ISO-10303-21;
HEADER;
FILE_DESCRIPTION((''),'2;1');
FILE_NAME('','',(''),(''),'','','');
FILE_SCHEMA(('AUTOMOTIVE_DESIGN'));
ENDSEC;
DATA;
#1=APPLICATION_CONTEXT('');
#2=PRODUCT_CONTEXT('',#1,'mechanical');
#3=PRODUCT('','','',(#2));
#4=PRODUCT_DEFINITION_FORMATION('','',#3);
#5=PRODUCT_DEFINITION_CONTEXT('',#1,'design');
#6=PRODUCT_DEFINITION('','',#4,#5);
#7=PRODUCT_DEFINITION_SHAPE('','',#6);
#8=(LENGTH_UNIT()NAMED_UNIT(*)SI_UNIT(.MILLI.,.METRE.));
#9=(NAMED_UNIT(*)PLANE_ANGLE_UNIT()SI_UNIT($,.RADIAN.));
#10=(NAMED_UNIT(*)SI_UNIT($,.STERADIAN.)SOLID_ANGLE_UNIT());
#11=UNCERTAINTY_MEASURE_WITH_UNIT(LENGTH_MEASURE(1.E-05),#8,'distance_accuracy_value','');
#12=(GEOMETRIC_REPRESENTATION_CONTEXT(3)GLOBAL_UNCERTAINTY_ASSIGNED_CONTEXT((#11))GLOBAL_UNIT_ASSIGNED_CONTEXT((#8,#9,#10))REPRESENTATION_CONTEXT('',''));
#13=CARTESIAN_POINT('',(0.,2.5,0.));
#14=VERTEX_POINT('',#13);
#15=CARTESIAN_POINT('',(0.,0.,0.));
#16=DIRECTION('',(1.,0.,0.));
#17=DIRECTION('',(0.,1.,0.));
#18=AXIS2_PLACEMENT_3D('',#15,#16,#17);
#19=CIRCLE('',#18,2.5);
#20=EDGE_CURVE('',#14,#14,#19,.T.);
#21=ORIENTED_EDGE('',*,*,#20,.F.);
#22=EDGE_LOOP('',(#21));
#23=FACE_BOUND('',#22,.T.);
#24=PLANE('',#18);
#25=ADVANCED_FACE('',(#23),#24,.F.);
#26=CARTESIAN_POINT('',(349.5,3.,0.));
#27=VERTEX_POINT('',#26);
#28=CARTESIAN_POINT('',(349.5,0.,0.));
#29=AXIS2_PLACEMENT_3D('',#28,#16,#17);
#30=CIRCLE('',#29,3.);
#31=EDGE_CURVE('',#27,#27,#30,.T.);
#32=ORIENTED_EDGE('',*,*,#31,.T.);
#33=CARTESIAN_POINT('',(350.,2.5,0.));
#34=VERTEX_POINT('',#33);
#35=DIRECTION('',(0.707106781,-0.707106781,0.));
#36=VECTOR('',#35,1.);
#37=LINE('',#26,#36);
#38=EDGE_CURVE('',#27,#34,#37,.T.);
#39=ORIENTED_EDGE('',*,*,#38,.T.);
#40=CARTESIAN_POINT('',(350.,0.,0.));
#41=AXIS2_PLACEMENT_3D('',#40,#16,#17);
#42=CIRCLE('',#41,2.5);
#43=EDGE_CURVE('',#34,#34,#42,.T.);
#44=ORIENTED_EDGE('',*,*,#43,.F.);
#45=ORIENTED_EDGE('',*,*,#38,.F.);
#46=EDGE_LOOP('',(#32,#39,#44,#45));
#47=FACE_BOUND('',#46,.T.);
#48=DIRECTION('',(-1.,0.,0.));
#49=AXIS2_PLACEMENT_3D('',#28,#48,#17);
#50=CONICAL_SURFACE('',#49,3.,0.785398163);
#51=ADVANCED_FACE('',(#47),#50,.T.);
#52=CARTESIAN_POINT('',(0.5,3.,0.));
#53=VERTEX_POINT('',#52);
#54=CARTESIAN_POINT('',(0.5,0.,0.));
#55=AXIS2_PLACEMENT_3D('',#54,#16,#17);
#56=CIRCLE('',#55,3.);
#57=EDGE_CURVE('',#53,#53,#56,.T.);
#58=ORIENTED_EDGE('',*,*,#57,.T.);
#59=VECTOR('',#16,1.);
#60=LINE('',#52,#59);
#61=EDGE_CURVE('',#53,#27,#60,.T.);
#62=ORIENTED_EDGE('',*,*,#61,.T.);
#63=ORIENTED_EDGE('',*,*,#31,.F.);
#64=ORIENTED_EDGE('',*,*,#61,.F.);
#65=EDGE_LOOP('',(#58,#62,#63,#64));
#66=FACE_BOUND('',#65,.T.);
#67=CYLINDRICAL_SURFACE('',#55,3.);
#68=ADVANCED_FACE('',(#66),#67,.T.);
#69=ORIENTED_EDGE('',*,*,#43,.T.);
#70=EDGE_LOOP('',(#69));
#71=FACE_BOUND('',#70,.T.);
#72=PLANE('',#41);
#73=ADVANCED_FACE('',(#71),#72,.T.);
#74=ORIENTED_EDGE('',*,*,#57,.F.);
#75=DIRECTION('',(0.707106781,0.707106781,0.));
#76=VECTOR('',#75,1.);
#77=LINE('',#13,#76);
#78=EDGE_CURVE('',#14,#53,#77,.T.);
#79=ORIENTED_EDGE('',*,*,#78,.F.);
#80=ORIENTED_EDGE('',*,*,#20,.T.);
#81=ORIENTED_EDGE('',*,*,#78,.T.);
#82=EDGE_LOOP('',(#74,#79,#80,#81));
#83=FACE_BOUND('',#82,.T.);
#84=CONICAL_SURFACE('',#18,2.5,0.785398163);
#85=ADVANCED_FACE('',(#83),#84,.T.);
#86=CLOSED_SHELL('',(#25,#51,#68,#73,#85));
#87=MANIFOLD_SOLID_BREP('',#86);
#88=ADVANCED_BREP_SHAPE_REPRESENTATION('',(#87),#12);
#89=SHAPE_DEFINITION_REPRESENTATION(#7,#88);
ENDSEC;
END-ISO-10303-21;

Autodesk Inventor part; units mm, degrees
ref_plane "YZ Plane" through (0, 0, 0) normal (1, 0, 0) x (0, 1, 0)
ref_plane "XZ Plane" through (0, 0, 0) normal (0, 1, 0) x (-1, 0, 0)
ref_plane "XY Plane" through (0, 0, 0) normal (0, 0, 1) x (1, 0, 0)
sketch "Sketch_3" plane through (0, 0, 0) normal (0, 0, 1) x (1, 0, 0)
  line L0 (350, 0) -> (0, 0)
  line L1 (0, 0) -> (0, 2.5)
  line L2 (0, 2.5) -> (0.5, 3)
  line L3 (0.5, 3) -> (349.5, 3)
  line L4 (349.5, 3) -> (350, 2.5)
  line L5 (350, 2.5) -> (350, 0)
  line L6 (350, 0) -> (0, 0)
revolve "Revolution1" add sketch "Sketch_3" angle 360 about axis through (350, 0, 0) along (1, 0, 0)
properties part number "PSFG6-350"
